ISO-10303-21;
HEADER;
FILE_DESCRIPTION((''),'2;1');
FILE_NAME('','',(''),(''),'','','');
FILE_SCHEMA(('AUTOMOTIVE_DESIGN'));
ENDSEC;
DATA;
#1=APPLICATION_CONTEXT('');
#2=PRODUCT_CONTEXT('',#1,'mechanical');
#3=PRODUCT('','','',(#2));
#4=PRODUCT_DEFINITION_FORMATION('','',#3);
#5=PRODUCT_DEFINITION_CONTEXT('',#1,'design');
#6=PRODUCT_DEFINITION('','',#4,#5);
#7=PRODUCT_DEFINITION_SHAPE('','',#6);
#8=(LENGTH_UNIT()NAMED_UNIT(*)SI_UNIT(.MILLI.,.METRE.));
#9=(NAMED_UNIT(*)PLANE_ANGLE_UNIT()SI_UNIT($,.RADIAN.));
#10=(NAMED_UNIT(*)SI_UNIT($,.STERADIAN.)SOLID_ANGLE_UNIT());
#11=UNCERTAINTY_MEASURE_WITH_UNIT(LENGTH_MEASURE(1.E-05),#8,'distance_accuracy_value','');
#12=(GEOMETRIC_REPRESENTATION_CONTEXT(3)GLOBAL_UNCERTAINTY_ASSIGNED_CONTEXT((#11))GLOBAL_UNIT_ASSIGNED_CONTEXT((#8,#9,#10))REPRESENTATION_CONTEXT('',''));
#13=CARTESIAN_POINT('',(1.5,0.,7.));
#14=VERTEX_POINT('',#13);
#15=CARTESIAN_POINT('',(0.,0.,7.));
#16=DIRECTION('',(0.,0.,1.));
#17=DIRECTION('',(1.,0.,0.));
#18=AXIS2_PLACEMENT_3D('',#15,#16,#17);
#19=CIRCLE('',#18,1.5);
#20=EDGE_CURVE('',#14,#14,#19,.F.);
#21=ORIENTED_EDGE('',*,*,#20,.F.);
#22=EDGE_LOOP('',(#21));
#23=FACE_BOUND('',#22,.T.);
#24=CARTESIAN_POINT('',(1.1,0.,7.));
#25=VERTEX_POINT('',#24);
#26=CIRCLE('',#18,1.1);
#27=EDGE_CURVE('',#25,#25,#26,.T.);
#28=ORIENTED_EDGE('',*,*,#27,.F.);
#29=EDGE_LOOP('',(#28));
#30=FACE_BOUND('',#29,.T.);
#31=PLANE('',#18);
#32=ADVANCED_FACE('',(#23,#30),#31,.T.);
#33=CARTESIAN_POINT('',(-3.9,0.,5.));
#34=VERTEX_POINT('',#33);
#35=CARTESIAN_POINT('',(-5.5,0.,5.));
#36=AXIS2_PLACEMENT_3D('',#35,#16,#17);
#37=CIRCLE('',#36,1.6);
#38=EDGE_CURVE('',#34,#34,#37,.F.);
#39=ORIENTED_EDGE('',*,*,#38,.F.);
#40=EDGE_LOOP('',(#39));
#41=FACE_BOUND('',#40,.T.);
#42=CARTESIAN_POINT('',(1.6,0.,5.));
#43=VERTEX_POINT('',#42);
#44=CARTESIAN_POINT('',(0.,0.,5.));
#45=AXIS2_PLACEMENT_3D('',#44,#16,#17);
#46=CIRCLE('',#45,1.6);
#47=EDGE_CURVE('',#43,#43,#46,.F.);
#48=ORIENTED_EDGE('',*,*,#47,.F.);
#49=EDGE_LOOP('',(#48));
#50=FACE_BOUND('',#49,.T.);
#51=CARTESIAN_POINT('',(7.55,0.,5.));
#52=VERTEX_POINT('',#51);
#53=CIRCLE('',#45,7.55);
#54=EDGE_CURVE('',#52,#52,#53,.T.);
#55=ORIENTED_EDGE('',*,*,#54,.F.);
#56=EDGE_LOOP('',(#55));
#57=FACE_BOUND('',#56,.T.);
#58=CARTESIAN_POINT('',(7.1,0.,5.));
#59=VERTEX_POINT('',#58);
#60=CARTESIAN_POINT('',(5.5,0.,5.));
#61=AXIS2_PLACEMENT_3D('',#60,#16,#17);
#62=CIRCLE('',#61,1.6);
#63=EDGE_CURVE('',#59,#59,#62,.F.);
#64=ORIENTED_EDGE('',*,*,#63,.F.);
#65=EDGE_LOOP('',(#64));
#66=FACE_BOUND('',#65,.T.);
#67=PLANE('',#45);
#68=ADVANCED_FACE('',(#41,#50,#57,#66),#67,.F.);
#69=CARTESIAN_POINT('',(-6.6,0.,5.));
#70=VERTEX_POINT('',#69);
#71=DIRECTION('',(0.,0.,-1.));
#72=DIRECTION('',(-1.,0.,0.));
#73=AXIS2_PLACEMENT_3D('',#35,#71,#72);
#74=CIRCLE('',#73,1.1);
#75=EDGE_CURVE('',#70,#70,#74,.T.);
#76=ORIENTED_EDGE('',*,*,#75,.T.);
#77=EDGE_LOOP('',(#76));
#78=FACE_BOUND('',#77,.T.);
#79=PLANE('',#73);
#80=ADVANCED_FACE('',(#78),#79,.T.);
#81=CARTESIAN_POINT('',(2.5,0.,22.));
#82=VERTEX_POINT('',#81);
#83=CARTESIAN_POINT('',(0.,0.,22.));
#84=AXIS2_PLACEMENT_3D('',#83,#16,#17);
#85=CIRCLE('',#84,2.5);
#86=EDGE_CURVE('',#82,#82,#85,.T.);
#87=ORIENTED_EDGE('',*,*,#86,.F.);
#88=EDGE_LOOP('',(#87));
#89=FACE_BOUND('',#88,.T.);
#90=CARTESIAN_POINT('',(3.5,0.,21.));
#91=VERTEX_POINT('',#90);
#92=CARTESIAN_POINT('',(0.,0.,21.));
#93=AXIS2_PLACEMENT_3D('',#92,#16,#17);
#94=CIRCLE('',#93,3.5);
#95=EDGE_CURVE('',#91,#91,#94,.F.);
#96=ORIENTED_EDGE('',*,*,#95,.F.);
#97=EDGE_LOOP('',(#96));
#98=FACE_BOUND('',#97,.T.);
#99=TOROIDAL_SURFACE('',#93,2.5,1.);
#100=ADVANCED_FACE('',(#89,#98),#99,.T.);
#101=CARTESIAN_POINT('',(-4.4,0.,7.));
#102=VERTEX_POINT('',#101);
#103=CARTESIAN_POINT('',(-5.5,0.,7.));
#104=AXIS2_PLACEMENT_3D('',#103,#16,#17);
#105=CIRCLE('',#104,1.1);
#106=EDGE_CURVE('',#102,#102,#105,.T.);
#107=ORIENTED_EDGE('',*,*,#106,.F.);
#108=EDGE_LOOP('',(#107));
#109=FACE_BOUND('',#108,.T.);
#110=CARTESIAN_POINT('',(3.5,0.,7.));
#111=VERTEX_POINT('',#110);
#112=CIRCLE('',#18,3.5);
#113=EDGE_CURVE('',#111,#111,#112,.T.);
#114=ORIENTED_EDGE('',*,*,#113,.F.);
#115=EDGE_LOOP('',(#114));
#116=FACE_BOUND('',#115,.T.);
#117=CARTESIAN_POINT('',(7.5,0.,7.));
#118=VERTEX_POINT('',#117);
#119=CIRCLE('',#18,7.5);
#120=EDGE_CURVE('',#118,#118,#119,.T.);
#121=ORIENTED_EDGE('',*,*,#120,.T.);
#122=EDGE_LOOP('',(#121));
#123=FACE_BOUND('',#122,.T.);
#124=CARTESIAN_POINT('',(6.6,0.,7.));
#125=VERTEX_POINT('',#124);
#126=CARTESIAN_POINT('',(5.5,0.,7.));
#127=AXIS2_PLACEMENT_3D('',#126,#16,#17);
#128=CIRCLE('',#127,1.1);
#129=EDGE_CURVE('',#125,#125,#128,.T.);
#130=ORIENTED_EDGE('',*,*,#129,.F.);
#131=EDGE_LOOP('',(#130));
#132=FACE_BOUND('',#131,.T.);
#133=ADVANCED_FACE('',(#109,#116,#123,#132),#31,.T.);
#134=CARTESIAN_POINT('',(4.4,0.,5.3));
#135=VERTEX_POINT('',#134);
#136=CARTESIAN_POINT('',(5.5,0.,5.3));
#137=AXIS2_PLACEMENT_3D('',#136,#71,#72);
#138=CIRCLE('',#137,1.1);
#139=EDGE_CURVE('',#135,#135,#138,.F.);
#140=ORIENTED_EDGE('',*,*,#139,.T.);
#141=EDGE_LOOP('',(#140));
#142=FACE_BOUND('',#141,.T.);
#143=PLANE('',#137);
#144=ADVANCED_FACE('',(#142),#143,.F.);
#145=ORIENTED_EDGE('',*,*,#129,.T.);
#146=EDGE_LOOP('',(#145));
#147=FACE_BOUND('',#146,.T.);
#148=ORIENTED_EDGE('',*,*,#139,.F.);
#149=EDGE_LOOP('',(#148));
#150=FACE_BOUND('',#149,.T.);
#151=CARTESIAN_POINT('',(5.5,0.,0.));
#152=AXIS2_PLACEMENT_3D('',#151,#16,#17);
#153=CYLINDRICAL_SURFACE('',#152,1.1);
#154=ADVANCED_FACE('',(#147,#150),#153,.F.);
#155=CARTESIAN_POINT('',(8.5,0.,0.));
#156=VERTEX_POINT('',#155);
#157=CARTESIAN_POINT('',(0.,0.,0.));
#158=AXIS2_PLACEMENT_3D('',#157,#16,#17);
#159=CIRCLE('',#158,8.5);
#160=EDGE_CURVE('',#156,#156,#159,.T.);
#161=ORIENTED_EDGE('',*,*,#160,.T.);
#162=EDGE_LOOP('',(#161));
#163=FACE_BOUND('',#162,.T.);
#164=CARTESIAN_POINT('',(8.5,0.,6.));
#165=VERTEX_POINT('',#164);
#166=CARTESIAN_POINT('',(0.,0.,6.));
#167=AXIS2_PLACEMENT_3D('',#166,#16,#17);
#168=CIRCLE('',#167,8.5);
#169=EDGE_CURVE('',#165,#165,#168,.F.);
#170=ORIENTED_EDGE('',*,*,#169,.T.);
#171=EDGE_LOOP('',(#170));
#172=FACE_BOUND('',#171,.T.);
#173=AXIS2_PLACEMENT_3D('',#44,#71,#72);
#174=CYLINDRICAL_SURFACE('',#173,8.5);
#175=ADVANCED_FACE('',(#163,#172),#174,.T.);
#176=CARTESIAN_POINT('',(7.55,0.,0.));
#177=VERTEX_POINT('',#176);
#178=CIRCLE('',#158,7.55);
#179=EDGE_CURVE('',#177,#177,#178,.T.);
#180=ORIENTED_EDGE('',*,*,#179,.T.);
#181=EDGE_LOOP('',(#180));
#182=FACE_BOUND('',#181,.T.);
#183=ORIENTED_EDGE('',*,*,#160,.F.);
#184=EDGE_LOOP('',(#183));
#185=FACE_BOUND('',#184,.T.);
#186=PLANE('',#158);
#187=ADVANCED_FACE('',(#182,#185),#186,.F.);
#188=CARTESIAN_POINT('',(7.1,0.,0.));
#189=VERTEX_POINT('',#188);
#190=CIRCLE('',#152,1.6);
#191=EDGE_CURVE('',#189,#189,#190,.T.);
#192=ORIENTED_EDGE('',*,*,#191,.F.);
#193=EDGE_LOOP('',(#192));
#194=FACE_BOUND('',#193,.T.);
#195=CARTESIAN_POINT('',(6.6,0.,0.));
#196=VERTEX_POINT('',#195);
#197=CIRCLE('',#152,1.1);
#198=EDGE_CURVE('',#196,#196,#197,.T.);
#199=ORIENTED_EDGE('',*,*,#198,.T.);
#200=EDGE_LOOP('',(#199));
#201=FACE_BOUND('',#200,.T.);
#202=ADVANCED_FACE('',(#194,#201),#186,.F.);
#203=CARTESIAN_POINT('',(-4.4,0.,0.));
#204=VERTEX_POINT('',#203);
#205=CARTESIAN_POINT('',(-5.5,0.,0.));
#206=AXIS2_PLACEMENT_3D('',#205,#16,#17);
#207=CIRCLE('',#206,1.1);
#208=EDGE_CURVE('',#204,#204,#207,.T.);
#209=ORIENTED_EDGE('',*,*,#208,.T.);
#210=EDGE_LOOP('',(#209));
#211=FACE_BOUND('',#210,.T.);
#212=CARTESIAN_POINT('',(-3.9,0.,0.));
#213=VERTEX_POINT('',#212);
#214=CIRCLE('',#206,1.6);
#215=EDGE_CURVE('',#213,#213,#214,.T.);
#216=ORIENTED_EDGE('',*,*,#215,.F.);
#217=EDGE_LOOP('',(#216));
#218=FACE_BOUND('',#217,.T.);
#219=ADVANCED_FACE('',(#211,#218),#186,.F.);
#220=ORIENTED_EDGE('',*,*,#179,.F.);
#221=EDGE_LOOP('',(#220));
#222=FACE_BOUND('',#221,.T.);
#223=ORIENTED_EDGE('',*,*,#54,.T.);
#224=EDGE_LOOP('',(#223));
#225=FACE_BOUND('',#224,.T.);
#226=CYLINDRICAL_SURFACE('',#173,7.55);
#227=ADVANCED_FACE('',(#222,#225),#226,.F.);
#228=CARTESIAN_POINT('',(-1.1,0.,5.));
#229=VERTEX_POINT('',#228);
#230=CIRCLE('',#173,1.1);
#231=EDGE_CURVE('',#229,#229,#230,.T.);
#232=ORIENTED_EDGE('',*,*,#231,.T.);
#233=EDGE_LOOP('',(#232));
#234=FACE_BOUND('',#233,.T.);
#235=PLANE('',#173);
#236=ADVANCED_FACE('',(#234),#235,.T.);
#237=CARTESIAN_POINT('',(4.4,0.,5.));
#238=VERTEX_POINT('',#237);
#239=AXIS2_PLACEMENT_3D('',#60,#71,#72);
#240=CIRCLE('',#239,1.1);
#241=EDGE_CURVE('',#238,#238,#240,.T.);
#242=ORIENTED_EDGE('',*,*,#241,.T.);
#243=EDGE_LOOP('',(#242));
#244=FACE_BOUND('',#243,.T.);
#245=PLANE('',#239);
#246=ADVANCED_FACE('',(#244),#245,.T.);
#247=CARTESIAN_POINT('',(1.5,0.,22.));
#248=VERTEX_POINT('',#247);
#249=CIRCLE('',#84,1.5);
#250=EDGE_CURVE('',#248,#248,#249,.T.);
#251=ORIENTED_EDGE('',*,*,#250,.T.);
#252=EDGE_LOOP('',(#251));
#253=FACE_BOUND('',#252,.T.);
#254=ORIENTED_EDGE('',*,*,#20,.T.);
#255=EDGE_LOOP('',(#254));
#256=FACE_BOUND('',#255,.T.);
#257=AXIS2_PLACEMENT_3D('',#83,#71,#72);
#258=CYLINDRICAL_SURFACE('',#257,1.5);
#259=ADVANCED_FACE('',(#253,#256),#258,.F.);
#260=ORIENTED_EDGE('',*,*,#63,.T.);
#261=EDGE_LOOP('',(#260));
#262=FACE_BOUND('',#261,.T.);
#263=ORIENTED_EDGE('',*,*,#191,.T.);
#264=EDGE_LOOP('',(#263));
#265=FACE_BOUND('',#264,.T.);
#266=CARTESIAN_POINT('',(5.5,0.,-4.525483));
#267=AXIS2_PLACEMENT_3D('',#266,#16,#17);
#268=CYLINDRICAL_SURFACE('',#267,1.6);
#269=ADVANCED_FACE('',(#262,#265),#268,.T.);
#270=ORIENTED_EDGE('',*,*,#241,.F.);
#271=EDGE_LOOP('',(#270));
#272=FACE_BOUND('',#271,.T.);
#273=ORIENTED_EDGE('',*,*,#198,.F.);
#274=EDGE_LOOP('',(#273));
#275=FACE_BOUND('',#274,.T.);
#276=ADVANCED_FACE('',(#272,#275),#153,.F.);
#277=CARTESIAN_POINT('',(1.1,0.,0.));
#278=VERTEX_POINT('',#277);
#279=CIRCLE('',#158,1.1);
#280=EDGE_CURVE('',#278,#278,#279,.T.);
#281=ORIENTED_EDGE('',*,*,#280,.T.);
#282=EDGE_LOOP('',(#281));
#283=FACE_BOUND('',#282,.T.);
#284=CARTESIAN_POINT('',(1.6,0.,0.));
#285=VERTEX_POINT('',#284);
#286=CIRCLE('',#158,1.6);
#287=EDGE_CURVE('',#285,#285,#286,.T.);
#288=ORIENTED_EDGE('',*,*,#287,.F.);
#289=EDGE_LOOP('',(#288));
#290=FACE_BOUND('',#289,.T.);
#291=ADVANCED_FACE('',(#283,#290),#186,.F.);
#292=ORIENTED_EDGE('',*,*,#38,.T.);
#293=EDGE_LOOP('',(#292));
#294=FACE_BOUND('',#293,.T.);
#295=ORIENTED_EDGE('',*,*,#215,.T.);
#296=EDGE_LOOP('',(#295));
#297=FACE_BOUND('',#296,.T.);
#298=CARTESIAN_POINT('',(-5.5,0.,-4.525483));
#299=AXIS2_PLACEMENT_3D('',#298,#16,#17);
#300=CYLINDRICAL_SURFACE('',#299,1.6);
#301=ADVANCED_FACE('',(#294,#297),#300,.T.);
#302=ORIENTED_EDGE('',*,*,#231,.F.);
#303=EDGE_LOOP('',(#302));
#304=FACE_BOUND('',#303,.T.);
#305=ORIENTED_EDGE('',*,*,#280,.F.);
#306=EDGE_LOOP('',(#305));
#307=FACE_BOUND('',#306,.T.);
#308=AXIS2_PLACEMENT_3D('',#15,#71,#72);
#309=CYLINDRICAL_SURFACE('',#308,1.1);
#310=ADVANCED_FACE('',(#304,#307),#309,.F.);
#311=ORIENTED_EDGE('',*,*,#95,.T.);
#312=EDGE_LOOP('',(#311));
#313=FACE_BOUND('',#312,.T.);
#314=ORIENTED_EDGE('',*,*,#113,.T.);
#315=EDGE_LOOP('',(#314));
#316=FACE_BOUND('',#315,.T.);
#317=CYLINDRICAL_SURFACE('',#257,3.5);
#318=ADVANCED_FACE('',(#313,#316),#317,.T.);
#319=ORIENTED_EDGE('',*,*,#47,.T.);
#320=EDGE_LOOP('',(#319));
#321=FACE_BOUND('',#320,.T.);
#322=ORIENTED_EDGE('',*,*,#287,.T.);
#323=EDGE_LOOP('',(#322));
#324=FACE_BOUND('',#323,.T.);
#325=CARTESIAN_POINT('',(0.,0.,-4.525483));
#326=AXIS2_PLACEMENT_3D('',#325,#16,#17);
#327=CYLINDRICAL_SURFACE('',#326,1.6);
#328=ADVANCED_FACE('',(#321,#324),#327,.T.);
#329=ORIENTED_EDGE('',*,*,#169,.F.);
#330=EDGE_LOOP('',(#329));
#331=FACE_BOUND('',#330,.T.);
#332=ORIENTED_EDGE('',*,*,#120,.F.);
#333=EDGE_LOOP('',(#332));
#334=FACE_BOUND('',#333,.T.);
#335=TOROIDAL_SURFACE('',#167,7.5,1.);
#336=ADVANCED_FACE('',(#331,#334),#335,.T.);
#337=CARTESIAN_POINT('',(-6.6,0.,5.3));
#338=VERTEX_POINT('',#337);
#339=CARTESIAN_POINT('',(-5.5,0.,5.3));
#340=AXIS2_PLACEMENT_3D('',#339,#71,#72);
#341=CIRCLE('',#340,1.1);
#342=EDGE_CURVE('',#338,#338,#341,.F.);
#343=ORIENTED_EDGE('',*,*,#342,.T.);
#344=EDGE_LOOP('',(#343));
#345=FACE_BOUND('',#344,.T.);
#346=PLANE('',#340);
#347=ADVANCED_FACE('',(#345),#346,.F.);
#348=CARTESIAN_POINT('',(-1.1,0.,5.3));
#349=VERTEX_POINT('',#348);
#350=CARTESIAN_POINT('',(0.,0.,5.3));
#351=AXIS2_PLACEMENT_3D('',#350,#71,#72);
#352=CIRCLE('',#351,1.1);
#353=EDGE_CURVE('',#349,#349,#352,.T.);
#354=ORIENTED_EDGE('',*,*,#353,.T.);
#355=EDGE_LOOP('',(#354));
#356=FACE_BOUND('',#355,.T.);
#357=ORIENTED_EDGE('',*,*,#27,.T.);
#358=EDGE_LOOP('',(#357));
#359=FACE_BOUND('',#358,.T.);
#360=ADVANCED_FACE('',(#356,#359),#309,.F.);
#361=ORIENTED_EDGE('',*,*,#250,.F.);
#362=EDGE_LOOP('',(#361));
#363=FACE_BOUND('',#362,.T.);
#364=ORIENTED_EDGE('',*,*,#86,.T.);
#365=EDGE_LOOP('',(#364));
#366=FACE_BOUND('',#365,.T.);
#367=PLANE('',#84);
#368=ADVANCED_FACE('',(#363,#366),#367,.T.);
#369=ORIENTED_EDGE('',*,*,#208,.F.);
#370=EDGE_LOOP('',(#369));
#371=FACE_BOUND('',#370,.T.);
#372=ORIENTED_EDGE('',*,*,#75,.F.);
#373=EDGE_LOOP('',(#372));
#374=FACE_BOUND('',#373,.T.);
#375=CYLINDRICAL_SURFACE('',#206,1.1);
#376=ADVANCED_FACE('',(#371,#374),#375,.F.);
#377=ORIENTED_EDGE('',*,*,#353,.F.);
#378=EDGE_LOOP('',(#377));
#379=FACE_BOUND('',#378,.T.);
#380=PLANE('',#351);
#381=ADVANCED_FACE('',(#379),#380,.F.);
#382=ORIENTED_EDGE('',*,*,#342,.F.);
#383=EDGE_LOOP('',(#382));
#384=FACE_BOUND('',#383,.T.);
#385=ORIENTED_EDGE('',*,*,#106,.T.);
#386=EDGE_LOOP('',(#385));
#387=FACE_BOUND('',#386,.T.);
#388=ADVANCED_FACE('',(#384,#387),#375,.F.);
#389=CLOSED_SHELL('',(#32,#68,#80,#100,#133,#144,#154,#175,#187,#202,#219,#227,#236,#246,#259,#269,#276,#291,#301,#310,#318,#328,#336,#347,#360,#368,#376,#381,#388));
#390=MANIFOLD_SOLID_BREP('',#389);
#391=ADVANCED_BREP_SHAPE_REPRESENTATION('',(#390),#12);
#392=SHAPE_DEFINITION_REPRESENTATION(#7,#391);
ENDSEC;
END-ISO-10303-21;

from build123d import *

# Parameters (mm, degrees)
SKETCH1_R               = 8.5
SKETCH1_R_2             = 7.55
BOSS_EXTRUDE1_DEPTH     = 5
SKETCH2_R               = 8.5
SKETCH2_R_2             = 1.1
BOSS_EXTRUDE2_DEPTH     = 2
SKETCH3_R               = 3.5
SKETCH3_R_2             = 1.5
BOSS_EXTRUDE3_DEPTH     = 15
CUT_EXTRUDE1_DEPTH      = 20.222382787
CUT_EXTRUDE1_DEPTH_BACK = 20.222382787
SKETCH3_3_R             = 1.1
SKETCH4_R               = 1.6
SKETCH4_R_2             = 1.1
BOSS_EXTRUDE4_DEPTH     = 5
BOSS_EXTRUDE5_START     = -0.3
SKETCH5_R               = 1.1
BOSS_EXTRUDE5_DEPTH     = 0.3
FILLET1_R               = 1


with BuildPart() as part:
    # Sketch1 → Boss-Extrude1 (new body)
    with BuildSketch(Plane.XY):
        Circle(SKETCH1_R)
        Circle(SKETCH1_R_2, mode=Mode.SUBTRACT)
    extrude(amount=BOSS_EXTRUDE1_DEPTH)

    # Sketch2 → Boss-Extrude2 (add)
    with BuildSketch(Plane.XY.offset(5)):
        Circle(SKETCH2_R)
        Circle(SKETCH2_R_2, mode=Mode.SUBTRACT)
    extrude(amount=BOSS_EXTRUDE2_DEPTH)

    # Sketch3 → Boss-Extrude3 (add)
    with BuildSketch(Plane.XY.offset(7)):
        Circle(SKETCH3_R)
        Circle(SKETCH3_R_2, mode=Mode.SUBTRACT)
    extrude(amount=BOSS_EXTRUDE3_DEPTH)

    # Sketch3<3> → Cut-Extrude1 (cut, two sides: drawn at the far end of the back side and taken through both)
    with BuildSketch(Plane.XY.offset(7).offset(-CUT_EXTRUDE1_DEPTH_BACK)):
        with Locations((-5.5, 0)):
            Circle(SKETCH3_3_R)
        with Locations((5.5, 0)):
            Circle(SKETCH3_3_R)
    extrude(amount=CUT_EXTRUDE1_DEPTH + CUT_EXTRUDE1_DEPTH_BACK, mode=Mode.SUBTRACT)

    # Sketch4 → Boss-Extrude4 (add)
    # profile 1 of 3: a face of its own
    with BuildSketch(Plane(origin=(0, 0, 5), x_dir=(-1, 0, 0), z_dir=(0, 0, -1))):
        with Locations(Location((5.5, 0, 0), (0, 0, 180))):
            Circle(SKETCH4_R)
        with Locations(Location((5.5, 0, 0), (0, 0, 180))):
            Circle(SKETCH4_R_2, mode=Mode.SUBTRACT)
    # profile 2 of 3: a face of its own
    with BuildSketch(Plane(origin=(0, 0, 5), x_dir=(-1, 0, 0), z_dir=(0, 0, -1))):
        with Locations(Location((0, 0, 0), (0, 0, 180))):
            Circle(SKETCH4_R)
        with Locations(Location((0, 0, 0), (0, 0, 180))):
            Circle(SKETCH4_R_2, mode=Mode.SUBTRACT)
    # profile 3 of 3: a face of its own
    with BuildSketch(Plane(origin=(0, 0, 5), x_dir=(-1, 0, 0), z_dir=(0, 0, -1))):
        with Locations(Location((-5.5, 0, 0), (0, 0, 180))):
            Circle(SKETCH4_R)
        with Locations(Location((-5.5, 0, 0), (0, 0, 180))):
            Circle(SKETCH4_R_2, mode=Mode.SUBTRACT)
    extrude(amount=BOSS_EXTRUDE4_DEPTH)

    # Sketch5 → Boss-Extrude5 (add)
    with BuildSketch(Plane(origin=(0, 0, 5), x_dir=(-1, 0, 0), z_dir=(0, 0, -1)).offset(BOSS_EXTRUDE5_START)):
        with Locations(Location((5.5, 0, 0), (0, 0, 180))):
            Circle(SKETCH5_R)
        with Locations(Location((-5.5, 0, 0), (0, 0, 180))):
            Circle(SKETCH5_R)
        Circle(SKETCH5_R)
    extrude(amount=BOSS_EXTRUDE5_DEPTH)

    # Fillet1
    fillet1_edges = [part.edges().sort_by_distance(p)[0] for p in [
        (-8.5, 0, 7),
        (-3.5, 0, 22),
    ]]
    fillet(fillet1_edges, radius=FILLET1_R)


solid = part.part
